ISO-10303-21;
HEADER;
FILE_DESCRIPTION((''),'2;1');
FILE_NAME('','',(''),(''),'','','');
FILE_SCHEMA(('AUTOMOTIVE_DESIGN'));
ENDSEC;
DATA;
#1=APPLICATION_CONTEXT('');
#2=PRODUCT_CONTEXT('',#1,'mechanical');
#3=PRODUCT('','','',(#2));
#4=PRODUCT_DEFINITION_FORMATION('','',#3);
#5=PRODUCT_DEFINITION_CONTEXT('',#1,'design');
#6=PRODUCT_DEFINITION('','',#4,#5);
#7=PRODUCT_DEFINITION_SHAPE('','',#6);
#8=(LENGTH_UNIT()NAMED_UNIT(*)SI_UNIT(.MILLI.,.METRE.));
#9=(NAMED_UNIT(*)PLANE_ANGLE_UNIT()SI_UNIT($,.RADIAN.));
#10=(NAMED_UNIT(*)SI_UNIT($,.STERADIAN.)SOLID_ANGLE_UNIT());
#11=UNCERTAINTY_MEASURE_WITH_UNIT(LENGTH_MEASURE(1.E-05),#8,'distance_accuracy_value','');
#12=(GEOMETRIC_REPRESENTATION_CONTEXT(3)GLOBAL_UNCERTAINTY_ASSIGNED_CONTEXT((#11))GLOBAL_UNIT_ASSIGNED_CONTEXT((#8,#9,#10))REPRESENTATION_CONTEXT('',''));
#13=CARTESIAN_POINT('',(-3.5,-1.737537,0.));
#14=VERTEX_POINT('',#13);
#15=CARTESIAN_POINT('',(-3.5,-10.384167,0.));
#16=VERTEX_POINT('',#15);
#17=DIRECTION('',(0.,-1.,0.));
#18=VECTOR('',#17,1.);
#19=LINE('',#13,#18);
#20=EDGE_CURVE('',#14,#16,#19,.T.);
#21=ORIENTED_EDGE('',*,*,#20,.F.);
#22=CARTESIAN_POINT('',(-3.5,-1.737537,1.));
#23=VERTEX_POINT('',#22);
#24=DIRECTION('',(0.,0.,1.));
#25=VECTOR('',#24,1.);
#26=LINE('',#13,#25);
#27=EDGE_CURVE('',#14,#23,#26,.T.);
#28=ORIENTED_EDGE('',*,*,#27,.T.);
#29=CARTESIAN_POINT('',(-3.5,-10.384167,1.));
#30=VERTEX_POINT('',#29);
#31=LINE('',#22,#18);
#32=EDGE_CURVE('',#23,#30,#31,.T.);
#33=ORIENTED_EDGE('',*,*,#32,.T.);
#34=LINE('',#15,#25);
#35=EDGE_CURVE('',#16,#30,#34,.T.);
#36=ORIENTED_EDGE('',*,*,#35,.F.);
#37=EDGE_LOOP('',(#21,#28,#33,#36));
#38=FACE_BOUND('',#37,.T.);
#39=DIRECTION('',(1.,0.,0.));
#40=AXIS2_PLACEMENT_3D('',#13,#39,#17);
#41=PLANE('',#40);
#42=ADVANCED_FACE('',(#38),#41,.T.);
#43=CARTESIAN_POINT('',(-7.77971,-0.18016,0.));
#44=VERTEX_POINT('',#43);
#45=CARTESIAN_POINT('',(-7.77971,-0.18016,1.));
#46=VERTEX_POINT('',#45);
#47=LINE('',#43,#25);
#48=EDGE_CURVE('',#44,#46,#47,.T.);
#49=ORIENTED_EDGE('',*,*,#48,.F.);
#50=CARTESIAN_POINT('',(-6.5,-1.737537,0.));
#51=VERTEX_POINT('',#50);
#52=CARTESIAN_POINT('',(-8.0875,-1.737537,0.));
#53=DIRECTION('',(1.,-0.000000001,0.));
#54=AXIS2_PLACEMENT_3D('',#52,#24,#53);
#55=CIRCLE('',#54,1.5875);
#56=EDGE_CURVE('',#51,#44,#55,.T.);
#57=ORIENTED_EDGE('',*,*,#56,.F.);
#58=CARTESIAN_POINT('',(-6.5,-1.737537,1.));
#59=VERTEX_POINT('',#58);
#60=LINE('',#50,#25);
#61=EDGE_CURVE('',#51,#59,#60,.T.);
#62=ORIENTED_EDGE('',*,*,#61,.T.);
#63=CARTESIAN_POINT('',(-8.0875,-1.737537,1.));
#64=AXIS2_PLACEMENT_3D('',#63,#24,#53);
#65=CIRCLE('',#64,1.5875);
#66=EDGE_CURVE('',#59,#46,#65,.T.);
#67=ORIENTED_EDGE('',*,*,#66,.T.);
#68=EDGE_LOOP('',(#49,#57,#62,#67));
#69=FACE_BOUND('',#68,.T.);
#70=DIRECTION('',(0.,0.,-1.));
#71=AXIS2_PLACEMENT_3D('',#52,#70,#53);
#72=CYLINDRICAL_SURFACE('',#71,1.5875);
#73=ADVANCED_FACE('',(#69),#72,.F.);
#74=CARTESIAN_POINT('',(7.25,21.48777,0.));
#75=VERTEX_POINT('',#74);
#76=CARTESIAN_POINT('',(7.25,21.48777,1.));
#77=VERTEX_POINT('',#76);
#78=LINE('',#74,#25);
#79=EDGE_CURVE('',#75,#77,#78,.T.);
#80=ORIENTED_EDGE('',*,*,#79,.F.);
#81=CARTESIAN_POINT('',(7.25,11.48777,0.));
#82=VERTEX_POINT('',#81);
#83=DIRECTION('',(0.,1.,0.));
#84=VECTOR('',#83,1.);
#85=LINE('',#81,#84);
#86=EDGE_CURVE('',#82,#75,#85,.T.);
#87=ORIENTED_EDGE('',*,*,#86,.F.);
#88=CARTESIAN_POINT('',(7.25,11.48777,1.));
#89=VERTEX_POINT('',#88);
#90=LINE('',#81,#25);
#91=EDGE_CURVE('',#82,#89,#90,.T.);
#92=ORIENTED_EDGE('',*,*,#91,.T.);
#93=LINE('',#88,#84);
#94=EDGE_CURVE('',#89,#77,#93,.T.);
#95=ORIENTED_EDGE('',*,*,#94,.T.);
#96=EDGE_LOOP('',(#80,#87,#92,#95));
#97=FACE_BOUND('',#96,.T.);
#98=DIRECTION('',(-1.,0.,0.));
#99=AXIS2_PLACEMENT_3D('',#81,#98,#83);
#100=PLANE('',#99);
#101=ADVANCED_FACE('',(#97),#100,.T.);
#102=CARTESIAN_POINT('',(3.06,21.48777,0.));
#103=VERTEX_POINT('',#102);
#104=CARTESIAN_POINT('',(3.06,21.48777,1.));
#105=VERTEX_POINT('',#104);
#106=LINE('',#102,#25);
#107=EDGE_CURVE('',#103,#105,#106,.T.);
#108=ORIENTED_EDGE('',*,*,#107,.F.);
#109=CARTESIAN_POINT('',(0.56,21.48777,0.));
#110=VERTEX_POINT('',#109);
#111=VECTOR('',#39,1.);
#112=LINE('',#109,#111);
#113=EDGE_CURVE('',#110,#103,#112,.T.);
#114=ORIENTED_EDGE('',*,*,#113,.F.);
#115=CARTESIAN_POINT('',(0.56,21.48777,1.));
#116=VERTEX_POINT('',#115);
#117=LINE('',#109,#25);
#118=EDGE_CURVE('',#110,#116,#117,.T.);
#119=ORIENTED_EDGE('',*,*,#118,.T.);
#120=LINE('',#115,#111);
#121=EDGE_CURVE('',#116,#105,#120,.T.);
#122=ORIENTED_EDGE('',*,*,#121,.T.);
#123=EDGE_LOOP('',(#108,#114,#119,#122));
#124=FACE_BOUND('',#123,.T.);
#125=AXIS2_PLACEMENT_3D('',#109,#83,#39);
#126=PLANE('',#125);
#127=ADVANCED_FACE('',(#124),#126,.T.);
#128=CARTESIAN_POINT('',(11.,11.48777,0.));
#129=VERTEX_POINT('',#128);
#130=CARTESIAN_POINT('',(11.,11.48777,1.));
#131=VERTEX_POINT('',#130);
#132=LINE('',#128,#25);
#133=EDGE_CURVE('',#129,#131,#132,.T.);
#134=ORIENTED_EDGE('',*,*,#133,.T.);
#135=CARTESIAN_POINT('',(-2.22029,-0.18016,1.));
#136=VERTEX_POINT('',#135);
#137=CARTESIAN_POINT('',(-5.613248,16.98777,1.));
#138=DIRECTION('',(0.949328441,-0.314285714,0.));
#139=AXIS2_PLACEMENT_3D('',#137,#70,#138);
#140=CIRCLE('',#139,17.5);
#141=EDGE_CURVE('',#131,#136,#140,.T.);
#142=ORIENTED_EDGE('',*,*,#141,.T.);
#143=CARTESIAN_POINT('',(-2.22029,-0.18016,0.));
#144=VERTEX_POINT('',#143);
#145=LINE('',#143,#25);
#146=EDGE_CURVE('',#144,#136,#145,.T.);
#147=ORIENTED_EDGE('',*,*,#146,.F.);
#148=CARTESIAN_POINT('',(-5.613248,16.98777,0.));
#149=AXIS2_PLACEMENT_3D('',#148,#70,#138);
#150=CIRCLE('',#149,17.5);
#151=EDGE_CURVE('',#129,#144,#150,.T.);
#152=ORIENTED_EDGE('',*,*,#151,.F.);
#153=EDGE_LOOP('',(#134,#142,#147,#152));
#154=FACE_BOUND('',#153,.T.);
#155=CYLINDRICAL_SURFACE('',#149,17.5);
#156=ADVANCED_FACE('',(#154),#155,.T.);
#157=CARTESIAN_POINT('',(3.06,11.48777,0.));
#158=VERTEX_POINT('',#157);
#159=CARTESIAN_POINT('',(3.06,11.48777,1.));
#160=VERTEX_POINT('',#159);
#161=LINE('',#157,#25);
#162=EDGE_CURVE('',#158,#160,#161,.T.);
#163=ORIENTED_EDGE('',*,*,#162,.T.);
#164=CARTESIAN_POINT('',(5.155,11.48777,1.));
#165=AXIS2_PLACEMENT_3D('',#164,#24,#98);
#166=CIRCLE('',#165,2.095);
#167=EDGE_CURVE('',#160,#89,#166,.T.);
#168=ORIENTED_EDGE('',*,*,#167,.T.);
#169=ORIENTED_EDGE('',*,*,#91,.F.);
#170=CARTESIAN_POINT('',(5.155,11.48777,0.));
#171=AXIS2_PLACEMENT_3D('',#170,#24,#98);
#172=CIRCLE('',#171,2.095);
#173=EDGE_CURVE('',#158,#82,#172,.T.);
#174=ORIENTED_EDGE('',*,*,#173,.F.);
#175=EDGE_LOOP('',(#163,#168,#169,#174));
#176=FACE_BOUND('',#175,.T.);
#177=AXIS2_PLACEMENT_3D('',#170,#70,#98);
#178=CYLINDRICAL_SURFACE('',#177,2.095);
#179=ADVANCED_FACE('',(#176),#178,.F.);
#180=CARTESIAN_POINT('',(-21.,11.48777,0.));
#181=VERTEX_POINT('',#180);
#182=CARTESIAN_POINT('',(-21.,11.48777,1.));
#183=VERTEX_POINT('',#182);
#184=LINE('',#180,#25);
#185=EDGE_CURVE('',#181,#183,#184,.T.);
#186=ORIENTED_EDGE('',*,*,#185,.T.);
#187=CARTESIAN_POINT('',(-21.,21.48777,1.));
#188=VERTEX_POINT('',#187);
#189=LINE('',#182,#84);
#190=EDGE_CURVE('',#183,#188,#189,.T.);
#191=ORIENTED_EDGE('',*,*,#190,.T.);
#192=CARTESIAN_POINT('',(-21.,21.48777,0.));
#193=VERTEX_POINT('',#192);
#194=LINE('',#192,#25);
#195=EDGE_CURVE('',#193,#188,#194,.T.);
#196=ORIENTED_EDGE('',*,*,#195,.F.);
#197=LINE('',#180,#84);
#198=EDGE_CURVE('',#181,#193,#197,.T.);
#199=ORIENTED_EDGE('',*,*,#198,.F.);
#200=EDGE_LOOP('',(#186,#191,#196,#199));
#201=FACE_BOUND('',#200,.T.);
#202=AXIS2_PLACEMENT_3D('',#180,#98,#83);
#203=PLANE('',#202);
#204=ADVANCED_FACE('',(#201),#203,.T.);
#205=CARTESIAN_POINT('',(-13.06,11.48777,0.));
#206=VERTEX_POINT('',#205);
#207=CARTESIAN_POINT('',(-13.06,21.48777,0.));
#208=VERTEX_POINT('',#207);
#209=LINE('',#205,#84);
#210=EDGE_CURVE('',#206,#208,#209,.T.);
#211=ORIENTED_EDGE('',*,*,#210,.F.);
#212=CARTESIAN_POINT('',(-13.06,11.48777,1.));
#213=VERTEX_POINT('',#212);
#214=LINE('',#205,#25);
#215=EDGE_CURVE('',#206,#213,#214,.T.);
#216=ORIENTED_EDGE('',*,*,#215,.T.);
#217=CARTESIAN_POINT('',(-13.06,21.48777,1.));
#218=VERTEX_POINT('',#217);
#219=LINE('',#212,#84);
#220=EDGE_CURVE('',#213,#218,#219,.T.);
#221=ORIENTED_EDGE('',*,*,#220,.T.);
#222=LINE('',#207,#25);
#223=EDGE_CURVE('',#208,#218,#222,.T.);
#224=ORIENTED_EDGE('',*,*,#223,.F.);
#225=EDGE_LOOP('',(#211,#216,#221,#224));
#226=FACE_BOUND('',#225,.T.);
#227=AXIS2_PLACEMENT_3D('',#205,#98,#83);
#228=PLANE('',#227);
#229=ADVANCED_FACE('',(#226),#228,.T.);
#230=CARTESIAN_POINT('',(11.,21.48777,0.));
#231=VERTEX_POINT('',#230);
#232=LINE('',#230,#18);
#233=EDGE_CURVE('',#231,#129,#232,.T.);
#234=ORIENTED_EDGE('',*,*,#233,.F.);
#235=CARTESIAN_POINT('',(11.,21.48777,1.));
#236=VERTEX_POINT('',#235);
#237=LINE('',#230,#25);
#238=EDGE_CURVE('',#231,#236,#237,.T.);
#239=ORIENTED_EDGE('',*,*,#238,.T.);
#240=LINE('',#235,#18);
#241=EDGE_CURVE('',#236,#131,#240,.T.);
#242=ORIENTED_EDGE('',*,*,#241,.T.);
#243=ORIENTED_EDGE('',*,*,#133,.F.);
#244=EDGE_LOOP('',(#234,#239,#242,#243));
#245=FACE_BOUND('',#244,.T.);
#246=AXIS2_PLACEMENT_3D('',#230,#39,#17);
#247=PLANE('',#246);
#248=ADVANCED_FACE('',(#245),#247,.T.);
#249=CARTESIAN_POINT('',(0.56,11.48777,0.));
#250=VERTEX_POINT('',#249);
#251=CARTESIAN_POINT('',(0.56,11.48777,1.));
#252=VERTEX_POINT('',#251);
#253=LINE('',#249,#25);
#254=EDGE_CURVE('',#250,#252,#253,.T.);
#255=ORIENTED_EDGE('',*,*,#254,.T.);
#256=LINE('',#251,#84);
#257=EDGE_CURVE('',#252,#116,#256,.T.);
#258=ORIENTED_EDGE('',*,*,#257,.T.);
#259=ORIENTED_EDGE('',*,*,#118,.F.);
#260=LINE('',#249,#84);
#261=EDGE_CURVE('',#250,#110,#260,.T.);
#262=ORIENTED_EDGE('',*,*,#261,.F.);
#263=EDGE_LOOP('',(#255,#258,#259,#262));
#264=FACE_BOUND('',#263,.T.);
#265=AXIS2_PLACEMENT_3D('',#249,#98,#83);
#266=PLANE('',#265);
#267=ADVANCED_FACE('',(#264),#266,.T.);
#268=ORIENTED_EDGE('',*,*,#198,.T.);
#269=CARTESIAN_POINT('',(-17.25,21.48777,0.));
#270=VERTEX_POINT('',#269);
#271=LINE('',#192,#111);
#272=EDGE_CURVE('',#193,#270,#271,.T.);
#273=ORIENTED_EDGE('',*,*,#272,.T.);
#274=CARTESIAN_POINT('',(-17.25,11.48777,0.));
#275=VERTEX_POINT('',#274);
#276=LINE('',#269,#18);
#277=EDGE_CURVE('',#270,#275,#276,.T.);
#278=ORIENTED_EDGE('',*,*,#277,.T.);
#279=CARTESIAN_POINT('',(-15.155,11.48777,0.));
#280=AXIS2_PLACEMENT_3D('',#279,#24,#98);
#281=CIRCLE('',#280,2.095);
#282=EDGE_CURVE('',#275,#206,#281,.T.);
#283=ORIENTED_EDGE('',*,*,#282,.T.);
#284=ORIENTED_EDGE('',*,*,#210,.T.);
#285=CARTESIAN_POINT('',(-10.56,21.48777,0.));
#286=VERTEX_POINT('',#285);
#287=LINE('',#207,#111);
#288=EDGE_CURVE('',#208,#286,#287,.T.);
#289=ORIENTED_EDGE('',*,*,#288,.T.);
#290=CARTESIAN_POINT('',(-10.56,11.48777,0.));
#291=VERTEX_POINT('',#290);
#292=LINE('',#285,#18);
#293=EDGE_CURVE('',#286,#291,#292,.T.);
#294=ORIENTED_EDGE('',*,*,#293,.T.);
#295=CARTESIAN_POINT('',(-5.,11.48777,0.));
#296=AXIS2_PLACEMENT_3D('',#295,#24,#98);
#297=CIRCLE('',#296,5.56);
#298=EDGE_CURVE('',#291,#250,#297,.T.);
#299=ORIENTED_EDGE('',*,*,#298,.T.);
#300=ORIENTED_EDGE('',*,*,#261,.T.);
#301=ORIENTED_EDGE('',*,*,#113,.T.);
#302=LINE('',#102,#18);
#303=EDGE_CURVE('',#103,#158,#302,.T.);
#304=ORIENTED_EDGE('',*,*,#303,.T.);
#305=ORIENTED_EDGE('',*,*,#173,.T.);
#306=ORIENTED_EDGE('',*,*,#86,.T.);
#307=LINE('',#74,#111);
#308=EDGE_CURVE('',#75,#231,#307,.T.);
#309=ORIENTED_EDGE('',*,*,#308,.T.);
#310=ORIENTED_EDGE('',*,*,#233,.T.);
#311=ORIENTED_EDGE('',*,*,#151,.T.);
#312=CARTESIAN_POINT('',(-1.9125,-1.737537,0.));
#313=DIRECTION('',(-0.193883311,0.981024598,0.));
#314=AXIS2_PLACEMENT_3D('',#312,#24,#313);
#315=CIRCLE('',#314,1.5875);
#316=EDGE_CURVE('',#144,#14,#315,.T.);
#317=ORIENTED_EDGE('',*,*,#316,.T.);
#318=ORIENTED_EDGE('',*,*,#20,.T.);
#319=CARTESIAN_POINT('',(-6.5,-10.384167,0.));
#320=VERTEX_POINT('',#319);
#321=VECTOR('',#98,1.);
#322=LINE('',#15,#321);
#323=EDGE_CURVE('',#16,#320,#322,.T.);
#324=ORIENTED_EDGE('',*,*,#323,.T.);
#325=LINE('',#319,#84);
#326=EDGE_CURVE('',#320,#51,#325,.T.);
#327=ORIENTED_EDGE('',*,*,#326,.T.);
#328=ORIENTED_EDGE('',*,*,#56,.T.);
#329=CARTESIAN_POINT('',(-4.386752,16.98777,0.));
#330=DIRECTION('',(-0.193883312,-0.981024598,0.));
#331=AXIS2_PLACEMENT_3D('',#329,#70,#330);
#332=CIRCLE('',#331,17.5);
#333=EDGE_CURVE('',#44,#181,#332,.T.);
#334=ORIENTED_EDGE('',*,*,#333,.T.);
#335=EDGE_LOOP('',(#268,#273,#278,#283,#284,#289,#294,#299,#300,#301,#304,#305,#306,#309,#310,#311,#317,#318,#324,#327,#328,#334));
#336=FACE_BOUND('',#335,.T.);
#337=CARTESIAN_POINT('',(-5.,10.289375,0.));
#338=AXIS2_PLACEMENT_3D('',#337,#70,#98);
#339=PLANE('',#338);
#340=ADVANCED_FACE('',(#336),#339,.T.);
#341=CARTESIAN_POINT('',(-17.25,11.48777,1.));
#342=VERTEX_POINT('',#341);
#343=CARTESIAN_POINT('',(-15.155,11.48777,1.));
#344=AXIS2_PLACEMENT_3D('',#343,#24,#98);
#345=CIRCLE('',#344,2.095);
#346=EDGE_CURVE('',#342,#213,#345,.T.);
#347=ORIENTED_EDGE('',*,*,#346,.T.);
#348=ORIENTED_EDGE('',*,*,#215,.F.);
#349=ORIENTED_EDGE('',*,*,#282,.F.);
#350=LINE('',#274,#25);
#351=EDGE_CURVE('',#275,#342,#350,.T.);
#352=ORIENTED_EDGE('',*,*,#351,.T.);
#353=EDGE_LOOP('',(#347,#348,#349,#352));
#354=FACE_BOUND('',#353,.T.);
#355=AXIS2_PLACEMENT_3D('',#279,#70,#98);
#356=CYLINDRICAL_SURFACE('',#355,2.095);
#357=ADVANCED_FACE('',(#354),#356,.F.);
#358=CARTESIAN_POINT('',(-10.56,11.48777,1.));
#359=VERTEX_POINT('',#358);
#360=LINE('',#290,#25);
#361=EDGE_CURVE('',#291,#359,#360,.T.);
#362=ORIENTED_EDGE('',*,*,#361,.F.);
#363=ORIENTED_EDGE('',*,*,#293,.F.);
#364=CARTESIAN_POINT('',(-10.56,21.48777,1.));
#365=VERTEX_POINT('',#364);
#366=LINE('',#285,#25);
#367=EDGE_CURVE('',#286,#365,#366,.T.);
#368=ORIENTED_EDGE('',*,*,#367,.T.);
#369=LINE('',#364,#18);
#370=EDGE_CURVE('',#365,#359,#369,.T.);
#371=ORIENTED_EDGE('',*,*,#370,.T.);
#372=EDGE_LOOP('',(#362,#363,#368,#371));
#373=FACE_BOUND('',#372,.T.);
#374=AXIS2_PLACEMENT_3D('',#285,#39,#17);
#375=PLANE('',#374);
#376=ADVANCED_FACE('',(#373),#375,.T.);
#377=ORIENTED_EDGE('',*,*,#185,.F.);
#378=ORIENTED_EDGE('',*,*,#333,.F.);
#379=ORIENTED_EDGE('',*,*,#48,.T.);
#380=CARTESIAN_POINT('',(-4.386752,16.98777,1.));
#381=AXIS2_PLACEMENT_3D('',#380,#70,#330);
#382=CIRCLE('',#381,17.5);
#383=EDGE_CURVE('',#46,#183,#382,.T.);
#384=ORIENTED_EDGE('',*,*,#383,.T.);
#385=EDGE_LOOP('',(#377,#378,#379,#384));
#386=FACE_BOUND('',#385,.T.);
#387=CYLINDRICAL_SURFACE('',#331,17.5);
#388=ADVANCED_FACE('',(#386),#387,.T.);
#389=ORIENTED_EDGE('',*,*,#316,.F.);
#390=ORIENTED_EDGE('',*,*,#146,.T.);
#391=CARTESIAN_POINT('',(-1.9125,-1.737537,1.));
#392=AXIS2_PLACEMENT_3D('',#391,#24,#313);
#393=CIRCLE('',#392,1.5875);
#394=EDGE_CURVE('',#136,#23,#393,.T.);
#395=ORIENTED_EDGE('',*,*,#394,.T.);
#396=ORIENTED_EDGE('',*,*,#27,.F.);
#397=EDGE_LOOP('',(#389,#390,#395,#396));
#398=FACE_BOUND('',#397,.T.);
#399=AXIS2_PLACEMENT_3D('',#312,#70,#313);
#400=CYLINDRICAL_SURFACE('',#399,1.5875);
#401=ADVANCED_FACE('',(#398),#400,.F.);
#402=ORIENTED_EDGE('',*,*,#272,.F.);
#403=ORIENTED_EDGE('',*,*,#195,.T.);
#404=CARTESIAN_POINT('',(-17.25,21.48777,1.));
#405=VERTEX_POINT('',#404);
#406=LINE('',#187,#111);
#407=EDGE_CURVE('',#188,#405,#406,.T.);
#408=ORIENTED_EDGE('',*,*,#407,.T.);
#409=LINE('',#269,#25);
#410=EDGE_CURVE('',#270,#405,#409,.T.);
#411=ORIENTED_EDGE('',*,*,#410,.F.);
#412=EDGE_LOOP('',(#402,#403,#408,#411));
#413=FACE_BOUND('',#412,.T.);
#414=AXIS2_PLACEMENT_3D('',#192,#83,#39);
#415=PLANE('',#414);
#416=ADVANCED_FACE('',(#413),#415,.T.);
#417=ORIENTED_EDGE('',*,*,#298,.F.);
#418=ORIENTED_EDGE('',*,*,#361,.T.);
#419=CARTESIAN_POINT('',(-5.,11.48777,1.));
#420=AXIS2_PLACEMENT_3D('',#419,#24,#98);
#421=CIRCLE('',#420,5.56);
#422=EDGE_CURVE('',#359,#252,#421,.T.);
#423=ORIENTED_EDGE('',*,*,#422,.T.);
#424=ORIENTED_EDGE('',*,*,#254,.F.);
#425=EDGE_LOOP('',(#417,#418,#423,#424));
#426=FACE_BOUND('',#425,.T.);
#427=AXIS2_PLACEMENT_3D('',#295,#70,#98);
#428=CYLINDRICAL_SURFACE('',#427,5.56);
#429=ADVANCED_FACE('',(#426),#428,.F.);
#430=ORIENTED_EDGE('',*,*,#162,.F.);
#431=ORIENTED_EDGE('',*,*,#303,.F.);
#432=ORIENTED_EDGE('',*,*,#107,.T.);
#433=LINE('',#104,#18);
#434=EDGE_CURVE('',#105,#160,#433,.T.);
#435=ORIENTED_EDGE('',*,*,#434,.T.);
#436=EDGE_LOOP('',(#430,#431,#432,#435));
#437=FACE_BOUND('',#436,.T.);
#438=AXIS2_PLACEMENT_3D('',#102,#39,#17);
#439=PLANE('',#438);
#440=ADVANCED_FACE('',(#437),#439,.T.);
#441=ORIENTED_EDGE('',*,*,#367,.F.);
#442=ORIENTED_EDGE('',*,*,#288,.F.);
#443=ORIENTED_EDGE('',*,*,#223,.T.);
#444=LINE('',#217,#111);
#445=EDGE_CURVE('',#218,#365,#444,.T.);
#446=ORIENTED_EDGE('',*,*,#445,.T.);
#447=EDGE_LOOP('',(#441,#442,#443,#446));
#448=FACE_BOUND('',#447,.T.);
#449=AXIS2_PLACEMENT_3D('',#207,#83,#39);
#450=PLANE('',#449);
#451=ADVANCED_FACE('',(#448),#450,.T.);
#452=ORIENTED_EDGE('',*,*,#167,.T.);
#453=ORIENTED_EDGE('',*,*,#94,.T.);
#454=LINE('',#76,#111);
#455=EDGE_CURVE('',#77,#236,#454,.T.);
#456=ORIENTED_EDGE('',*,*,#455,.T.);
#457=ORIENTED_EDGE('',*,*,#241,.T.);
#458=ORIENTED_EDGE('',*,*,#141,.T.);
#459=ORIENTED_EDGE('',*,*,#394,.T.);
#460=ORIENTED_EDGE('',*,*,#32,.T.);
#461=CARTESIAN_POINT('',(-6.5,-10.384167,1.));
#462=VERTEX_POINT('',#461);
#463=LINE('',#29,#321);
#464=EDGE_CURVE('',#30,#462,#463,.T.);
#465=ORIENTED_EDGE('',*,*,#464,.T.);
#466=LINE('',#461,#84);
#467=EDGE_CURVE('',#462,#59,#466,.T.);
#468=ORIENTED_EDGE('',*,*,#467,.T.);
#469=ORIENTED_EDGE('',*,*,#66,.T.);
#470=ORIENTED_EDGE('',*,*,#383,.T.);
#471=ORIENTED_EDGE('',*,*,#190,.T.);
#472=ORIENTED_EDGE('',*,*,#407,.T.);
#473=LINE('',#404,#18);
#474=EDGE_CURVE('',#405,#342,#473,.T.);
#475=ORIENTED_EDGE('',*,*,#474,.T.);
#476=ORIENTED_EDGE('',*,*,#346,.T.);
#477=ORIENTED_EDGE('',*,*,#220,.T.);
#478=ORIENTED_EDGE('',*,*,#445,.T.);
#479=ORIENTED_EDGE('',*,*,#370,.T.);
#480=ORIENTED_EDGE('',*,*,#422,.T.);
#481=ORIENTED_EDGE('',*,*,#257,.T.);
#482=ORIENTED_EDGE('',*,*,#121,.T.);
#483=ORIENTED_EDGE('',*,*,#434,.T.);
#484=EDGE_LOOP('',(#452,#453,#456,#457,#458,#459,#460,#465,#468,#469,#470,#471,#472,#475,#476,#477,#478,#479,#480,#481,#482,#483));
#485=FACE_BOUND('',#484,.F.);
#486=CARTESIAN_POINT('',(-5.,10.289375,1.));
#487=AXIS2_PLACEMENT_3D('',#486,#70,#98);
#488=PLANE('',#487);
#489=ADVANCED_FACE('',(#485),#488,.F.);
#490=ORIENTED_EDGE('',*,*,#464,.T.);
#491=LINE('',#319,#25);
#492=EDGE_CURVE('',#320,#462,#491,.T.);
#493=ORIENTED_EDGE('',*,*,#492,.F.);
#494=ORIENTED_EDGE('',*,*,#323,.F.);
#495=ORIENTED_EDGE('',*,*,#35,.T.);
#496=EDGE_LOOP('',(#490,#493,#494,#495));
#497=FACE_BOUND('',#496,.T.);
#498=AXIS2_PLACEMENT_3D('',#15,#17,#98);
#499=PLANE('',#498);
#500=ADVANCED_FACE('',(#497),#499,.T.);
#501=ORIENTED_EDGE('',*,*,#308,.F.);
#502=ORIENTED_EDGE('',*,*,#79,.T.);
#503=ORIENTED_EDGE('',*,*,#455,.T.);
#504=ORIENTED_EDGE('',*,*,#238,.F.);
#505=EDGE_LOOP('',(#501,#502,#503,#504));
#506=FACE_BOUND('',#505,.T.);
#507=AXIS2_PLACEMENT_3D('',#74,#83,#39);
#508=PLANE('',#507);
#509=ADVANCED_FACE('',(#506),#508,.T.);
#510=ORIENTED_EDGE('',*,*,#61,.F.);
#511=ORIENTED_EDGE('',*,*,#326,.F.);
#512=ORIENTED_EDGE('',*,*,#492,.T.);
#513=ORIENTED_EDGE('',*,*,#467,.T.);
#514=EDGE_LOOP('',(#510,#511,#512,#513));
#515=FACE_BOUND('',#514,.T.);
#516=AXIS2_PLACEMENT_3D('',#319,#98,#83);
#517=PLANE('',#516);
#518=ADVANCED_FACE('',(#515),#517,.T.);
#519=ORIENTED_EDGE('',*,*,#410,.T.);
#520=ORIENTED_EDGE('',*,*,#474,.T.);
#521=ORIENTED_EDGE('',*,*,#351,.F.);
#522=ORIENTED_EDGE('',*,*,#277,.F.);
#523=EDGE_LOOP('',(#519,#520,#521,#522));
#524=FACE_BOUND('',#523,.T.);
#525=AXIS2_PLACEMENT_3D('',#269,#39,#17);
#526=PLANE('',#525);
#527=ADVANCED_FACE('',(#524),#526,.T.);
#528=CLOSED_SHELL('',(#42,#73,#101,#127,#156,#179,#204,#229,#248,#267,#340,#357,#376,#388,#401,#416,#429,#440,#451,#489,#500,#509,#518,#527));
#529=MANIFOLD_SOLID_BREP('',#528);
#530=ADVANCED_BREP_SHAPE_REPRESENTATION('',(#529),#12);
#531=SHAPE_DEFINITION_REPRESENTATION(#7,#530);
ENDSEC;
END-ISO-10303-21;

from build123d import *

# Parameters (mm, degrees)
BOSS_EXTRUDE2_DEPTH = 1


with BuildPart() as part:
    # Sketch2 → Boss-Extrude2 (new body)
    with BuildSketch(Plane.XY):
        with BuildLine():
            Line((-21, 21.487770019), (-17.25, 21.487770019))
            Line((-17.25, 21.487770019), (-17.25, 11.487770019))
            ThreePointArc((-17.25, 11.487770019), (-15.155, 9.392770019), (-13.06, 11.487770019))
            Line((-13.06, 11.487770019), (-13.06, 21.487770019))
            Line((-13.06, 21.487770019), (-10.56, 21.487770019))
            Line((-10.56, 21.487770019), (-10.56, 11.487770019))
            ThreePointArc((-10.56, 11.487770019), (-5, 5.927770019), (0.56, 11.487770019))
            Line((0.56, 11.487770019), (0.56, 21.487770019))
            Line((0.56, 21.487770019), (3.06, 21.487770019))
            Line((3.06, 21.487770019), (3.06, 11.487770019))
            ThreePointArc((3.06, 11.487770019), (5.155, 9.392770019), (7.25, 11.487770019))
            Line((7.25, 11.487770019), (7.25, 21.487770019))
            Line((7.25, 21.487770019), (11, 21.487770019))
            Line((11, 21.487770019), (11, 11.487770019))
            ThreePointArc((11, 11.487770019), (5.966787544, 3.86706946), (-2.220289758, -0.18016044))
            ThreePointArc((-2.220289758, -0.18016044), (-3.139034242, -0.72968283), (-3.5, -1.737536988))
            Line((-3.5, -1.737536988), (-3.5, -10.384166662))
            Line((-3.5, -10.384166662), (-6.5, -10.384166662))
            Line((-6.5, -10.384166662), (-6.5, -1.737536988))
            ThreePointArc((-6.5, -1.737536988), (-6.860965758, -0.72968283), (-7.779710242, -0.18016044))
            ThreePointArc((-7.779710242, -0.18016044), (-15.966787544, 3.86706946), (-21, 11.487770019))
            Line((-21, 11.487770019), (-21, 21.487770019))
        make_face()
    extrude(amount=BOSS_EXTRUDE2_DEPTH)


solid = part.part
